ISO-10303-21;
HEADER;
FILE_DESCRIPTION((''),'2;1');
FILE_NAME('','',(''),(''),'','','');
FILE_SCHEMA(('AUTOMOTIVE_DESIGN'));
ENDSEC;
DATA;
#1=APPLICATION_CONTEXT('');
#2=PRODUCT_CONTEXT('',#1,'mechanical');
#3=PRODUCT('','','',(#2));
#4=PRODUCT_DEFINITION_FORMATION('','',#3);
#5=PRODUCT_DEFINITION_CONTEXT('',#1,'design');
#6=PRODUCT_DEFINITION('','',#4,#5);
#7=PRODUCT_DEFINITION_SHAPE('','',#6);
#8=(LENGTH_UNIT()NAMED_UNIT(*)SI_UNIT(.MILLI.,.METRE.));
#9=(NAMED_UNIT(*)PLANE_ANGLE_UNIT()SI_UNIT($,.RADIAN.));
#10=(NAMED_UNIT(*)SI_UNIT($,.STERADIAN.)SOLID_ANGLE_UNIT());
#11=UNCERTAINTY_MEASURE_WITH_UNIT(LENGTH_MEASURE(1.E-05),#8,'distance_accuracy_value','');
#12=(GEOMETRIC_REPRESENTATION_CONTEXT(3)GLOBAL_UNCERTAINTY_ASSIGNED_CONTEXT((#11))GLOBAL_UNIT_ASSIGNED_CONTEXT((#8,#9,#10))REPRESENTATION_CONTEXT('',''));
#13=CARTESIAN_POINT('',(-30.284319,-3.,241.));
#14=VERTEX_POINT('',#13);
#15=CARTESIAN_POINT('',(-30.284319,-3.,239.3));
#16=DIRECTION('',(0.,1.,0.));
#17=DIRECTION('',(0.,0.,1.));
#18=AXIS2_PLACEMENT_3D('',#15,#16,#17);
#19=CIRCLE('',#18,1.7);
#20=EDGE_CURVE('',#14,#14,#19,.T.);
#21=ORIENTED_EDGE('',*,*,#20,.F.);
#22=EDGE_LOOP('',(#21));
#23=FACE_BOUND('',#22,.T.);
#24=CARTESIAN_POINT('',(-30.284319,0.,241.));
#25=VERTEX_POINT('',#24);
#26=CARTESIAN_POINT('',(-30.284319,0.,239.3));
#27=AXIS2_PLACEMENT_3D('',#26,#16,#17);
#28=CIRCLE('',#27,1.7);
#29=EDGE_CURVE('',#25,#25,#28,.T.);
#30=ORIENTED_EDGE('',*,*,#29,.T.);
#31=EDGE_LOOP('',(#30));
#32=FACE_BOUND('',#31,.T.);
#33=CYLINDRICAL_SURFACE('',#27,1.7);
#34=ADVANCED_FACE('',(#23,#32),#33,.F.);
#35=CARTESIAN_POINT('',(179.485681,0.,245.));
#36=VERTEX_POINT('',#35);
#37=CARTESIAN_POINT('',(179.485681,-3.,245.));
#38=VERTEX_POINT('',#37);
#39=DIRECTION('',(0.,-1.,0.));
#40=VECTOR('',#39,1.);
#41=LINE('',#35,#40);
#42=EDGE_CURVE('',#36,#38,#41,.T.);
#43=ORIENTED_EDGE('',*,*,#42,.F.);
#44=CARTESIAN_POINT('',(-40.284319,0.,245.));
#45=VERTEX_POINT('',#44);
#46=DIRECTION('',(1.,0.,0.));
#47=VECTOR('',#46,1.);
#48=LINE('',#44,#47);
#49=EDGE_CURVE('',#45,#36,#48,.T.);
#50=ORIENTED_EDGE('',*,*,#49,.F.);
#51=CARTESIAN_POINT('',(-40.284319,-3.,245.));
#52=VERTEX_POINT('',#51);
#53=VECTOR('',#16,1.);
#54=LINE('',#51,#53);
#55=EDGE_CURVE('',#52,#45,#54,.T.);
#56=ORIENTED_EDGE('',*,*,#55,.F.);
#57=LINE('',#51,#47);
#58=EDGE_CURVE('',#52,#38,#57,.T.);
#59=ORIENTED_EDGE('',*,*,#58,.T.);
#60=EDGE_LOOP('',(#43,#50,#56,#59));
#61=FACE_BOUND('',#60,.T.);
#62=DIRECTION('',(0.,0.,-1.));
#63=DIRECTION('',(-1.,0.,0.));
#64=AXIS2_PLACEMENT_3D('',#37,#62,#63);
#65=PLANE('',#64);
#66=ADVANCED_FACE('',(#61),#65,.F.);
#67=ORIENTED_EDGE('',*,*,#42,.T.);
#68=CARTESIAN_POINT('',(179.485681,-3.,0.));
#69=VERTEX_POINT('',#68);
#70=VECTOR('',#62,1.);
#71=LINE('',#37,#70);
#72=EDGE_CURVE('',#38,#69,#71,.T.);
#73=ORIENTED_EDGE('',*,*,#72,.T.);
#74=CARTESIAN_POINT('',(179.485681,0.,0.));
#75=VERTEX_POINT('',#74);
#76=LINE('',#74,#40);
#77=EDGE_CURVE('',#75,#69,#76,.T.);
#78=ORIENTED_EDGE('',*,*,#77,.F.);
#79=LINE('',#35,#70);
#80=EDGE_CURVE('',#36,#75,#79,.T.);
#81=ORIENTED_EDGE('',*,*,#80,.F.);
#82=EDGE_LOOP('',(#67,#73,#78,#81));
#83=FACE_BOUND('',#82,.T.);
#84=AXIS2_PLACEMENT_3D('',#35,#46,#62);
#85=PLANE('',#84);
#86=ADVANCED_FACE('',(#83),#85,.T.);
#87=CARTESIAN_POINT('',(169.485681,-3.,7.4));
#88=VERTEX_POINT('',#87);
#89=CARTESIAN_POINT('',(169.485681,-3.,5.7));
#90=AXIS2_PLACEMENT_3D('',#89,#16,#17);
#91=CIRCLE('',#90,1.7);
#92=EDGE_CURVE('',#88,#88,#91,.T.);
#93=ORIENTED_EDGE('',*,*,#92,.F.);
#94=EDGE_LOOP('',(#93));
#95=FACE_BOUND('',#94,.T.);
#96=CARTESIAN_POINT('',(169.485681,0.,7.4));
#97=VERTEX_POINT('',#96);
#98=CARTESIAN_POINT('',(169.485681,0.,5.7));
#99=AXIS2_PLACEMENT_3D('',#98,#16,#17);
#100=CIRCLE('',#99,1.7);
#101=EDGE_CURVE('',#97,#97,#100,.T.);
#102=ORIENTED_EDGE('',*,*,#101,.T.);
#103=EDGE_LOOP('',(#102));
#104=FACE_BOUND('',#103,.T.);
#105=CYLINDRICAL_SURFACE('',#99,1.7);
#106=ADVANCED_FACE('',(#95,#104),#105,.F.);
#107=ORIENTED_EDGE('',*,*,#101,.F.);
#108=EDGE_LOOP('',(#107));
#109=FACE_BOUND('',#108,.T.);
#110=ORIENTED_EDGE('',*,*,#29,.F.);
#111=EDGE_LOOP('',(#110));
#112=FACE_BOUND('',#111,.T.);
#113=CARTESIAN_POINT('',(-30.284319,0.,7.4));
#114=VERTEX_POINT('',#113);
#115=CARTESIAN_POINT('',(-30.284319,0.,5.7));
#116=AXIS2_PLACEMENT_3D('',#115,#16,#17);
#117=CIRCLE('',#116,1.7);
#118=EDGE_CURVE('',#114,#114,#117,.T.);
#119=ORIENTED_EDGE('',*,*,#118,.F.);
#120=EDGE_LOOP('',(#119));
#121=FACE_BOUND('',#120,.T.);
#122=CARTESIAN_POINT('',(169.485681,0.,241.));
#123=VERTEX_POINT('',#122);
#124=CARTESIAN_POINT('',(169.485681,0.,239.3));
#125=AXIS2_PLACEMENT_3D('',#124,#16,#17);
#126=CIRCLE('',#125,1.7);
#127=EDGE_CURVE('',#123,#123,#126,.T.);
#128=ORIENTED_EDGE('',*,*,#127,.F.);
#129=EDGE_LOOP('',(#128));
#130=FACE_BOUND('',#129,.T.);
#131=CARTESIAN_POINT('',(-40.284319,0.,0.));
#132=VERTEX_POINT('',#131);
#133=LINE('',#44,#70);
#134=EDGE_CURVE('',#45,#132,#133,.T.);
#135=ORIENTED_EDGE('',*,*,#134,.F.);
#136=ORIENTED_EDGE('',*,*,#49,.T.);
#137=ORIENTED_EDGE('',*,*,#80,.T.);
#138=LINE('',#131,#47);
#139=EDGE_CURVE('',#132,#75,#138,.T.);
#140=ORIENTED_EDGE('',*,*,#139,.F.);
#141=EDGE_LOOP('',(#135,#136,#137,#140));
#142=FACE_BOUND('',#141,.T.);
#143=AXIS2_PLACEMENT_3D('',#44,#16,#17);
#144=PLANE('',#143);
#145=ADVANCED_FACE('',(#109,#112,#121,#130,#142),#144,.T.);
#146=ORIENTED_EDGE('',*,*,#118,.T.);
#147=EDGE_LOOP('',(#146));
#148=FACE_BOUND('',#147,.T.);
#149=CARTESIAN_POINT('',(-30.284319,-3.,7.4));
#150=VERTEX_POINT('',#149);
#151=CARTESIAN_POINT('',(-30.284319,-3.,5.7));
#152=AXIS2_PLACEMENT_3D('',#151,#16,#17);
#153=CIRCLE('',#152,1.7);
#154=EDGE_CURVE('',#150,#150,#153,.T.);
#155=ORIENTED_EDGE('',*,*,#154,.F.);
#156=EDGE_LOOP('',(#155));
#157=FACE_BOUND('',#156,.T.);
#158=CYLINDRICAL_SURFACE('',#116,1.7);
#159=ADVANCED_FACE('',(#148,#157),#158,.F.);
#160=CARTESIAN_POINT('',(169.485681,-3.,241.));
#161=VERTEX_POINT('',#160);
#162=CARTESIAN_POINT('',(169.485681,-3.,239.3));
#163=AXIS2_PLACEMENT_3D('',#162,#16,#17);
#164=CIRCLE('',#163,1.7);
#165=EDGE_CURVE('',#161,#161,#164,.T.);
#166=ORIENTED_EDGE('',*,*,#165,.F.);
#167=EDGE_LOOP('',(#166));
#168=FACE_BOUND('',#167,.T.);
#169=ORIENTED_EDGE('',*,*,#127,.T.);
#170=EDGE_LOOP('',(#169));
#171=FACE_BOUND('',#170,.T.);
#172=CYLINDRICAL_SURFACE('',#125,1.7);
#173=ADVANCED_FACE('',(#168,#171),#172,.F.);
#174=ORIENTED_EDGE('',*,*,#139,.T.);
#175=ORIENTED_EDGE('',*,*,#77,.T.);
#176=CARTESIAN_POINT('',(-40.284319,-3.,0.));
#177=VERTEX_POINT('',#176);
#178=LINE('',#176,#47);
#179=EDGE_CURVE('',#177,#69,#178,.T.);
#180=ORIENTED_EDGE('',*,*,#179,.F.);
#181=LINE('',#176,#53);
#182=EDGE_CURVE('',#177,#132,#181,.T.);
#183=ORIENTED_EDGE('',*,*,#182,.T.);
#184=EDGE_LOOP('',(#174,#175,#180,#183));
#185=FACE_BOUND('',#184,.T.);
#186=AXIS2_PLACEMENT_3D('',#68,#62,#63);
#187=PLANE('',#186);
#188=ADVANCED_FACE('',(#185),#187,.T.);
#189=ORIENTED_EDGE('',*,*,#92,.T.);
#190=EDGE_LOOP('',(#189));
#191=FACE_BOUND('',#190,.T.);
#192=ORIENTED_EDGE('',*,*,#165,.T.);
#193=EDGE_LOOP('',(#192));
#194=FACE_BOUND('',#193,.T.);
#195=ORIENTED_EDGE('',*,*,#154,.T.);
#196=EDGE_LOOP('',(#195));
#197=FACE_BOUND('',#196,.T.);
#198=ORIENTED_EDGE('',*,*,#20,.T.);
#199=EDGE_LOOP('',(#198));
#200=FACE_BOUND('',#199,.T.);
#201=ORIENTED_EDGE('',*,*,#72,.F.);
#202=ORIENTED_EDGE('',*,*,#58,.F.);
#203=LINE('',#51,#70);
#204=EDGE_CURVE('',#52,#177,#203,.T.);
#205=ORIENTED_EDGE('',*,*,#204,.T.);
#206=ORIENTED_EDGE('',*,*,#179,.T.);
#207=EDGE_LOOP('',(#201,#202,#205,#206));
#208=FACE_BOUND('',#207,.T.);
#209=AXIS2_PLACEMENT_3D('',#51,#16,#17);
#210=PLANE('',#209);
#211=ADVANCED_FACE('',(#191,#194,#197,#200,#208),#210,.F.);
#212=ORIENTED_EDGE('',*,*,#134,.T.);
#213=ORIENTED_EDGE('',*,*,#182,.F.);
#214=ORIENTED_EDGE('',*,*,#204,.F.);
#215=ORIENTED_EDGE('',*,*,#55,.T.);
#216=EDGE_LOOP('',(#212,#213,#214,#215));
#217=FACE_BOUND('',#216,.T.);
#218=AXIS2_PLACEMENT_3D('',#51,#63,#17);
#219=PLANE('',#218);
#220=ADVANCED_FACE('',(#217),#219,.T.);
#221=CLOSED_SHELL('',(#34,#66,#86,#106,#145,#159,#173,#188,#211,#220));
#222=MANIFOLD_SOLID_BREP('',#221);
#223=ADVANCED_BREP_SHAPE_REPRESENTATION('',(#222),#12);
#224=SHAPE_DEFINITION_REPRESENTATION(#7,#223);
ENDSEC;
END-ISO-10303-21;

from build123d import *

# Parameters (mm, degrees)
ESQUISSE1_W        = 219.77
ESQUISSE1_H        = 3
EXTRU_MINCE1_DEPTH = 245
D_GAGEMENT_M31_D   = 3.4


with BuildPart() as part:
    # Esquisse1 → Extru.-Mince1 (new body)
    with BuildSketch(Plane.XY):
        with Locations((69.60068085, -1.5)):
            Rectangle(ESQUISSE1_W, ESQUISSE1_H)
    extrude(amount=EXTRU_MINCE1_DEPTH)

    # Dégagement M31 (through all)
    with Locations(Plane(origin=(0, 0, 0), x_dir=(-1, 0, 0), z_dir=(0, 1, 0))):
        with Locations((30.28431915, 5.7), (-169.48568085, 5.7), (30.28431915, 239.3), (-169.48568085, 239.3)):
            Hole(D_GAGEMENT_M31_D / 2)


solid = part.part
